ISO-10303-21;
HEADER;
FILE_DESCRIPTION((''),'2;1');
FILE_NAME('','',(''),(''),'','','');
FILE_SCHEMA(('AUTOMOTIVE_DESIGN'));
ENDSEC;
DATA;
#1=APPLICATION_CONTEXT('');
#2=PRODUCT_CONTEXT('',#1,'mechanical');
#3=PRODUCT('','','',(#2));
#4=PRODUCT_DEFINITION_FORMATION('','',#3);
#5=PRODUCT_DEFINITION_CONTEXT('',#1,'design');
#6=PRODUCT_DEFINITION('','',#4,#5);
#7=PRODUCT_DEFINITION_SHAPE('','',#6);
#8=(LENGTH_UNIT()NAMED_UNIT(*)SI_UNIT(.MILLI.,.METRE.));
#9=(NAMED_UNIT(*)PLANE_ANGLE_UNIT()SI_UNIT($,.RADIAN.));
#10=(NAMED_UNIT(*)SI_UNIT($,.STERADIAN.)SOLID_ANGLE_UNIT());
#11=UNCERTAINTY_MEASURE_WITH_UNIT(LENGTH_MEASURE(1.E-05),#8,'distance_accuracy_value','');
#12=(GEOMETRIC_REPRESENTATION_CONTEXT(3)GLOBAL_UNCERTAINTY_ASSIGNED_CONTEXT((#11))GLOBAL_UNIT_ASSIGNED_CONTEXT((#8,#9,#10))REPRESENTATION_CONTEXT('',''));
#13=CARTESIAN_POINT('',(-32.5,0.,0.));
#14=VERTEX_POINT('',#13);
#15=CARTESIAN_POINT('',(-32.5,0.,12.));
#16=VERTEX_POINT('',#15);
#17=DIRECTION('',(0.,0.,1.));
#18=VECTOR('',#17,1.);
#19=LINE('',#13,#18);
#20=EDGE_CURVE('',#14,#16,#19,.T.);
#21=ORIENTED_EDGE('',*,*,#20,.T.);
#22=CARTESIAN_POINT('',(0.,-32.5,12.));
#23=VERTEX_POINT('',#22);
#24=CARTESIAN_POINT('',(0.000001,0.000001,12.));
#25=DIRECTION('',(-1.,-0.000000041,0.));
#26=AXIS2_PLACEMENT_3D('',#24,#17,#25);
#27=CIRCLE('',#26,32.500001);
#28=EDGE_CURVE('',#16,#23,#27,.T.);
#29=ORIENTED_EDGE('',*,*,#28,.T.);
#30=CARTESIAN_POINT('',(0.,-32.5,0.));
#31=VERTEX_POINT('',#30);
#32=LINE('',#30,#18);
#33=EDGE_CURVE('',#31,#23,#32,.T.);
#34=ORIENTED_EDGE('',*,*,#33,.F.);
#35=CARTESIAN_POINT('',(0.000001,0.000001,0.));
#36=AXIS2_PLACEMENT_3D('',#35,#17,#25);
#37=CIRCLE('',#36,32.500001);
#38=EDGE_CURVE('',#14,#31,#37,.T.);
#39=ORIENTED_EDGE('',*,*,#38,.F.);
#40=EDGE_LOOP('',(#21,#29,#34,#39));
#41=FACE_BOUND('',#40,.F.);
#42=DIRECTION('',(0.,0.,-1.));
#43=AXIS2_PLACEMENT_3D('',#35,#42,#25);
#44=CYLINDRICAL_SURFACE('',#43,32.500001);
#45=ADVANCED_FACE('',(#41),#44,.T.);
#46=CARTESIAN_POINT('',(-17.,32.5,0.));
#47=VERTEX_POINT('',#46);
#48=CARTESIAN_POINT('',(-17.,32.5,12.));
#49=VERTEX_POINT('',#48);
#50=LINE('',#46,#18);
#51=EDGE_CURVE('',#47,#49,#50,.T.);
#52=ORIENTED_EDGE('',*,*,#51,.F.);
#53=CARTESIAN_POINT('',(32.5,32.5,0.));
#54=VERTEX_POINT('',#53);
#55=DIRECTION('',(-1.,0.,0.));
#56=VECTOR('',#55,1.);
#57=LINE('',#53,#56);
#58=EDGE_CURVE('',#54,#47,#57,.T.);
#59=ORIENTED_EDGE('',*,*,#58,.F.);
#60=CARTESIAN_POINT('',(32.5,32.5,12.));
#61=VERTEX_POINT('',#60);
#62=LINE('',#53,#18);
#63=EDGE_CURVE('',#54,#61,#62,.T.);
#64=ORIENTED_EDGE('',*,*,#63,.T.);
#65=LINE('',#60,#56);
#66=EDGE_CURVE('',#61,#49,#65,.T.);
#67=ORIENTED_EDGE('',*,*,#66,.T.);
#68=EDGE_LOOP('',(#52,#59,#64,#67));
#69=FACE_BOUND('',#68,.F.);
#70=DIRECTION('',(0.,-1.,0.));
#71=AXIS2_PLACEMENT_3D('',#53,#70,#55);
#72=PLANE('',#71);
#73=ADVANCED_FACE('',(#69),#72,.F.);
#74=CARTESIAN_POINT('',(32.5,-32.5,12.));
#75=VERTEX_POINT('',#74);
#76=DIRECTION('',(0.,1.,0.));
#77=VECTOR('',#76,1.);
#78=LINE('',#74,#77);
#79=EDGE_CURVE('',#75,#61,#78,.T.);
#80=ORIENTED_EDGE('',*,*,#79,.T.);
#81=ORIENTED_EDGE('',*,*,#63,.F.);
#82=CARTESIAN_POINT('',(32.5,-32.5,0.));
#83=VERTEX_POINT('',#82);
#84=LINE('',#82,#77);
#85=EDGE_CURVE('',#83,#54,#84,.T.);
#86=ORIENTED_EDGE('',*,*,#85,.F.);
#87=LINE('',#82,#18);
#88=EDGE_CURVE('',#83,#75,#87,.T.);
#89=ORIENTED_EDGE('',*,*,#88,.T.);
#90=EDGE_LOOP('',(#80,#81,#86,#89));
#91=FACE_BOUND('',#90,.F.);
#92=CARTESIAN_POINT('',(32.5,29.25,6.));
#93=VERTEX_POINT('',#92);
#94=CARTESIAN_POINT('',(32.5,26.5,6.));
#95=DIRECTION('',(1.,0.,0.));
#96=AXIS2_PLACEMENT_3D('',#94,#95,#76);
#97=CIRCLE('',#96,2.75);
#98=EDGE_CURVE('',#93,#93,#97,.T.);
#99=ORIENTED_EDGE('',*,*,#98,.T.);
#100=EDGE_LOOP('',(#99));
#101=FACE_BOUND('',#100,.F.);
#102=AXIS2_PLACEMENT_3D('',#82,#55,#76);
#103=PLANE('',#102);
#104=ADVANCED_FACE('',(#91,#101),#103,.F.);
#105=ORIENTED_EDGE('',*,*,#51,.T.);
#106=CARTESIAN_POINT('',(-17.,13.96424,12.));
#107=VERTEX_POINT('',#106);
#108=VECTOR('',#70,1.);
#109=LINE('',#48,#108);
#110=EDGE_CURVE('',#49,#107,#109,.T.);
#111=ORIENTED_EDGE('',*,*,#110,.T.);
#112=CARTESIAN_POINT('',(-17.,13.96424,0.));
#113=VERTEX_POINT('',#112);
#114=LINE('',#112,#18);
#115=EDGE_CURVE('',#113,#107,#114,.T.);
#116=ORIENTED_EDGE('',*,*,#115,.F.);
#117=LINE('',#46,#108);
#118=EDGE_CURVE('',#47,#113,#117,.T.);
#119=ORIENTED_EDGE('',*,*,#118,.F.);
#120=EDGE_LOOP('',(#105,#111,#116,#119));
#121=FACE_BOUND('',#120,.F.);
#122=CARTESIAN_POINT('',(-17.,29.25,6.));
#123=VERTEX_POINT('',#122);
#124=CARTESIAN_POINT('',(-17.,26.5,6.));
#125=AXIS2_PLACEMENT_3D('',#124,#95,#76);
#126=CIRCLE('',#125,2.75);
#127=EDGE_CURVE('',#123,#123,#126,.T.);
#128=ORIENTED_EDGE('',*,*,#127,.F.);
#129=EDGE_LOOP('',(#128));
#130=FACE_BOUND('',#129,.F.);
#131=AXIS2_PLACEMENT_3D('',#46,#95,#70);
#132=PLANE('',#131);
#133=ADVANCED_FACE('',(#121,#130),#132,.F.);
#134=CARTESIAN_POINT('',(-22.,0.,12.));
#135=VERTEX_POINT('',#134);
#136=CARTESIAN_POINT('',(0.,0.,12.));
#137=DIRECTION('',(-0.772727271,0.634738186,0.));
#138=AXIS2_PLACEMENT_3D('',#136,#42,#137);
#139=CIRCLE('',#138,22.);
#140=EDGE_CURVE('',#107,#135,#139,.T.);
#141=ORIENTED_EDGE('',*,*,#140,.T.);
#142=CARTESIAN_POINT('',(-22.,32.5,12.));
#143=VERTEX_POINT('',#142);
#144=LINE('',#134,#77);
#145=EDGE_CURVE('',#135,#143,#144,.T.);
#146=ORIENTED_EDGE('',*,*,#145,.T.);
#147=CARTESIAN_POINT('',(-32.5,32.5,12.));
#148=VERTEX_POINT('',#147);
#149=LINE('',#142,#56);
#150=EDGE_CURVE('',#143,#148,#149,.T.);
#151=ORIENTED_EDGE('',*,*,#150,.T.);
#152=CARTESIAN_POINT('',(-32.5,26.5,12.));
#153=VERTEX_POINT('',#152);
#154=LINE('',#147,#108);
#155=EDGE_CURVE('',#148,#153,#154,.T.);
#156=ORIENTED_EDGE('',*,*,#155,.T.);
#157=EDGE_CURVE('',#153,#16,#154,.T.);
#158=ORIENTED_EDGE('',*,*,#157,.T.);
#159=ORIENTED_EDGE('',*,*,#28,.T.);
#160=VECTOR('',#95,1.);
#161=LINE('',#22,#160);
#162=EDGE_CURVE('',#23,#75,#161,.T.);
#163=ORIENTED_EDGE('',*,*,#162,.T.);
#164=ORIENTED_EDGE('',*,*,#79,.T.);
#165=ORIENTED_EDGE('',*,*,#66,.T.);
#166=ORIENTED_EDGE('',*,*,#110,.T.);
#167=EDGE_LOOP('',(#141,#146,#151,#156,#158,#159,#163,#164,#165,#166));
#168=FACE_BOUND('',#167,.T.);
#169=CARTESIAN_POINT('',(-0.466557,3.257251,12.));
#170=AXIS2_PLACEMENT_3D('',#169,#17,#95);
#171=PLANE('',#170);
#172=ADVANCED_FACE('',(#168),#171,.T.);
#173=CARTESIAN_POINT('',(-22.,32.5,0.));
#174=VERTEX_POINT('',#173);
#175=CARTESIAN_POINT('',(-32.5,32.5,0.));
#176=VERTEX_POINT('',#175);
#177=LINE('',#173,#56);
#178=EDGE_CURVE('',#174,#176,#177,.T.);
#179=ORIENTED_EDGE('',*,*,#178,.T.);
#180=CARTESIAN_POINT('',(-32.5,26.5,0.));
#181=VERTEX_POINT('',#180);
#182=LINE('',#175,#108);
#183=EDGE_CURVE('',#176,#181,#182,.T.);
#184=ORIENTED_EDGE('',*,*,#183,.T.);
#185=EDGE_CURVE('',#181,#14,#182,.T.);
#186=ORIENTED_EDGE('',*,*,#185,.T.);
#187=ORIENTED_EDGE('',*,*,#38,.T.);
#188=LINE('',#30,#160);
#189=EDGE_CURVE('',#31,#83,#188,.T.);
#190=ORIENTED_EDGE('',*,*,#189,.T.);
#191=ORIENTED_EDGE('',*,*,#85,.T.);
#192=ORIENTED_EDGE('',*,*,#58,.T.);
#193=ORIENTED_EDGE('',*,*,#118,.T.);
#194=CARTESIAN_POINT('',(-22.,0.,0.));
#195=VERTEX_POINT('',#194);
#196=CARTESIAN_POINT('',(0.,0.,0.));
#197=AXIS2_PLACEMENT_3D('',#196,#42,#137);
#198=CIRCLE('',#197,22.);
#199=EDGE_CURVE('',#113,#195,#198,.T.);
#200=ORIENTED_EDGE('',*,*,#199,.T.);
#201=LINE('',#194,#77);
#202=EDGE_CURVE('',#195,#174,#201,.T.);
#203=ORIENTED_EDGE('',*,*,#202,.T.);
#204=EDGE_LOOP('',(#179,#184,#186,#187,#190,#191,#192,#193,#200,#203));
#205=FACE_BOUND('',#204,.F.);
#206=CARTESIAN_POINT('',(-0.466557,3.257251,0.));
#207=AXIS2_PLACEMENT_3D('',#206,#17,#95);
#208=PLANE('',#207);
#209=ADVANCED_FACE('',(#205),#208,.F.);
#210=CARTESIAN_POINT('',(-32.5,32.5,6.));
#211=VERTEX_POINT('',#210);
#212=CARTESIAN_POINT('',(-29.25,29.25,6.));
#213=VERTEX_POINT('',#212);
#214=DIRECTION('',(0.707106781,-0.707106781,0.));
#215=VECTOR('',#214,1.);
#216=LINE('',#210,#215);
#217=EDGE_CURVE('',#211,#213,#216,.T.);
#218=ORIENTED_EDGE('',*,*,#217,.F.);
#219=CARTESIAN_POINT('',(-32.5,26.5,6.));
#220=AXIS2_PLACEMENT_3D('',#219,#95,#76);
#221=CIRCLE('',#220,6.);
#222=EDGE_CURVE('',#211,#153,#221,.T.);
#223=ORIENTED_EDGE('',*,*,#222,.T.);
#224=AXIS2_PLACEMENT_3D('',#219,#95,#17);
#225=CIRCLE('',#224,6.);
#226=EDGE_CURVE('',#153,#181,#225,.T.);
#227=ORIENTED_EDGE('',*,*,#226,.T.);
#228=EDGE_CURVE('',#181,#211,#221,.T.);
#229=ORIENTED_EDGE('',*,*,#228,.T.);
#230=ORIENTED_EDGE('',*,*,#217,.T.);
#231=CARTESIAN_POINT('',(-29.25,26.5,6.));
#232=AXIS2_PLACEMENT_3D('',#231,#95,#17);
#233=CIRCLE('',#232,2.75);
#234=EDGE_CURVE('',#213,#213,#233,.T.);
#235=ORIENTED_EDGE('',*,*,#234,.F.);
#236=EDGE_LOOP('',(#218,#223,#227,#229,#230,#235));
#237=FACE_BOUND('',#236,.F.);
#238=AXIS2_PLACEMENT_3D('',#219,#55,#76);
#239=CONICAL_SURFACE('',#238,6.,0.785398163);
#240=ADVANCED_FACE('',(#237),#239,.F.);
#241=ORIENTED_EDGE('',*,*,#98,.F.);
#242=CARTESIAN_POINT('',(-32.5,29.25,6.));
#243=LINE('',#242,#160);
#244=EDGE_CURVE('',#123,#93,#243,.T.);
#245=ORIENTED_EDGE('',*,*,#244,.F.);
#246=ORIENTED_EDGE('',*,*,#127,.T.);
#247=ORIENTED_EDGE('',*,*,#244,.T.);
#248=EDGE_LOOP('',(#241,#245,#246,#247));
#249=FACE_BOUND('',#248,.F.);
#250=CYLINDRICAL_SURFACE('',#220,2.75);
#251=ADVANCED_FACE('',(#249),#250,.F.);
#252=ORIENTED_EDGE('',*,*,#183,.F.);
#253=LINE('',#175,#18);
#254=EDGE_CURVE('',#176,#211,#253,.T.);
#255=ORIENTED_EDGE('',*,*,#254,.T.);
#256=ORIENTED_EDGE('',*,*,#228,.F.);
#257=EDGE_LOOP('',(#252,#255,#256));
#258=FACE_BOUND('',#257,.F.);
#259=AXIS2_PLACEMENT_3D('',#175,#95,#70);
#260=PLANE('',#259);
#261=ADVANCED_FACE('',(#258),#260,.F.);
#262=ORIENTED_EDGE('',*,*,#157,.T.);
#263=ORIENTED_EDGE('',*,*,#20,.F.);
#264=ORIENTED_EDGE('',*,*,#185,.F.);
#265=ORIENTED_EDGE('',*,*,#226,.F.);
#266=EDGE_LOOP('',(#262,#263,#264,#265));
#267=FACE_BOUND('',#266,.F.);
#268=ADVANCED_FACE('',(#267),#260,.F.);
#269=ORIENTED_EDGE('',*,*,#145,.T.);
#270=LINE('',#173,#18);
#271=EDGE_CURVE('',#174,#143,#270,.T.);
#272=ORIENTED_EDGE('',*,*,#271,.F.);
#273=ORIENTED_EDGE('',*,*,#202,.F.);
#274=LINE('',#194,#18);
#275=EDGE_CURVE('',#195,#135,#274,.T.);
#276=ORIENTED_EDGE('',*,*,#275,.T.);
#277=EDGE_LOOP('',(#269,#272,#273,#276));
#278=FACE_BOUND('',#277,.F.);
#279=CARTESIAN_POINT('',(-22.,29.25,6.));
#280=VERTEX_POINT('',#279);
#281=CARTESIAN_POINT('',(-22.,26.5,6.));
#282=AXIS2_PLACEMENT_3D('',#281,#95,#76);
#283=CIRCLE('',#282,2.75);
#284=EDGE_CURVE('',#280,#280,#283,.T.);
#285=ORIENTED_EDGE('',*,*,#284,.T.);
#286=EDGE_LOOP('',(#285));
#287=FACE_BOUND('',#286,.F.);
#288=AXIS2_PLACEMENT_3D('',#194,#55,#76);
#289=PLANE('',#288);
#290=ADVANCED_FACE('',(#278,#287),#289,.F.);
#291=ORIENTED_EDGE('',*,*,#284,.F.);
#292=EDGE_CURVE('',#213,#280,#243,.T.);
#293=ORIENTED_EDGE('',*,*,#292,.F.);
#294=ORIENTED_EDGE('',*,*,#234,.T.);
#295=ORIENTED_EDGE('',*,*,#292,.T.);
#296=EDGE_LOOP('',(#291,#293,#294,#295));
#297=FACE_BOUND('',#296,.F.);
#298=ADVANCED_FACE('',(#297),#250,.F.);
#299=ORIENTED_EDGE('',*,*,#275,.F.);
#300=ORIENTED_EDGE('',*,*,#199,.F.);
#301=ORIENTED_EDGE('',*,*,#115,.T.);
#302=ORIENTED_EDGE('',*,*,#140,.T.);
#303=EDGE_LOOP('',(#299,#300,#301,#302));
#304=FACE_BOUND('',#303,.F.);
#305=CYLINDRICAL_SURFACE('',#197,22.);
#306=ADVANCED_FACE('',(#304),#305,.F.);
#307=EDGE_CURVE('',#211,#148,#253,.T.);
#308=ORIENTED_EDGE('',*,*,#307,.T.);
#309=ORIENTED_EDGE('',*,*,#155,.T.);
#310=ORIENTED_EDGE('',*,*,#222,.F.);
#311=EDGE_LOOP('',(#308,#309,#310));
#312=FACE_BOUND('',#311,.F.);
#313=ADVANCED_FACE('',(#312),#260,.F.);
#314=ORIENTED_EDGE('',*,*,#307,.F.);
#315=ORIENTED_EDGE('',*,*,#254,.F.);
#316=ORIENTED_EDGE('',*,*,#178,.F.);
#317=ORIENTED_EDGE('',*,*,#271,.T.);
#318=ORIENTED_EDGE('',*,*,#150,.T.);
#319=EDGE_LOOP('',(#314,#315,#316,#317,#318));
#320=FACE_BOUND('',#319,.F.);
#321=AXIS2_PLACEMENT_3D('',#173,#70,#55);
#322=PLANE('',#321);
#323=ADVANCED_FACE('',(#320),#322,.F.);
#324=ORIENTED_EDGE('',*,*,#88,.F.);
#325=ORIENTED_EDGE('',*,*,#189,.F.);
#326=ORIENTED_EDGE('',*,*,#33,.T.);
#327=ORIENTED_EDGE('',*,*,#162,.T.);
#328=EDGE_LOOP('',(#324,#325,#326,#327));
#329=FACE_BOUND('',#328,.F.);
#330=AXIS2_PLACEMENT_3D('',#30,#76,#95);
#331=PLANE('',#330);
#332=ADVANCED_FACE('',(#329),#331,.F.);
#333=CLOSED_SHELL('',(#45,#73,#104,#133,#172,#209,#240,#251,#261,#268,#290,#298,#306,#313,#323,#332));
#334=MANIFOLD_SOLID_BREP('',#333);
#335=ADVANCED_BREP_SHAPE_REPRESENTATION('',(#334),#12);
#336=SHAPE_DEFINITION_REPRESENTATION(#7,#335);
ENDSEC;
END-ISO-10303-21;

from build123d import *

# Parameters (mm, degrees)
F1_DEPTH       = 12
F3_D           = 5.5
F3_CSINK_D     = 12
F3_CSINK_ANGLE = 90


with BuildPart() as f1:
    # F0 (on Top) → F1 (new body)
    with BuildSketch(Plane.XY):
        with BuildLine():
            ThreePointArc((-17, 13.96424), (20.712315, -7.416198), (-22, 0))
            Line((-22, 0), (-22, 32.5))
            Line((-22, 32.5), (-32.5, 32.5))
            Line((-32.5, 32.5), (-32.5, 0))
            ThreePointArc((-32.5, 0), (-22.98097, -22.98097), (0, -32.5))
            Line((0, -32.5), (32.5, -32.5))
            Line((32.5, -32.5), (32.5, 32.5))
            Line((32.5, 32.5), (0, 32.5))
            Line((0, 32.5), (-17, 32.5))
            Line((-17, 32.5), (-17, 13.96424))
        make_face()
    extrude(amount=F1_DEPTH)

    # F3 (through all)
    with Locations(Plane(origin=(-32.5, 0, 0), x_dir=(0, -1, 0), z_dir=(-1, 0, 0))):
        with Locations((-26.5, 6)):
            CounterSinkHole(F3_D / 2, F3_CSINK_D / 2, counter_sink_angle=F3_CSINK_ANGLE)


solid = f1.part
